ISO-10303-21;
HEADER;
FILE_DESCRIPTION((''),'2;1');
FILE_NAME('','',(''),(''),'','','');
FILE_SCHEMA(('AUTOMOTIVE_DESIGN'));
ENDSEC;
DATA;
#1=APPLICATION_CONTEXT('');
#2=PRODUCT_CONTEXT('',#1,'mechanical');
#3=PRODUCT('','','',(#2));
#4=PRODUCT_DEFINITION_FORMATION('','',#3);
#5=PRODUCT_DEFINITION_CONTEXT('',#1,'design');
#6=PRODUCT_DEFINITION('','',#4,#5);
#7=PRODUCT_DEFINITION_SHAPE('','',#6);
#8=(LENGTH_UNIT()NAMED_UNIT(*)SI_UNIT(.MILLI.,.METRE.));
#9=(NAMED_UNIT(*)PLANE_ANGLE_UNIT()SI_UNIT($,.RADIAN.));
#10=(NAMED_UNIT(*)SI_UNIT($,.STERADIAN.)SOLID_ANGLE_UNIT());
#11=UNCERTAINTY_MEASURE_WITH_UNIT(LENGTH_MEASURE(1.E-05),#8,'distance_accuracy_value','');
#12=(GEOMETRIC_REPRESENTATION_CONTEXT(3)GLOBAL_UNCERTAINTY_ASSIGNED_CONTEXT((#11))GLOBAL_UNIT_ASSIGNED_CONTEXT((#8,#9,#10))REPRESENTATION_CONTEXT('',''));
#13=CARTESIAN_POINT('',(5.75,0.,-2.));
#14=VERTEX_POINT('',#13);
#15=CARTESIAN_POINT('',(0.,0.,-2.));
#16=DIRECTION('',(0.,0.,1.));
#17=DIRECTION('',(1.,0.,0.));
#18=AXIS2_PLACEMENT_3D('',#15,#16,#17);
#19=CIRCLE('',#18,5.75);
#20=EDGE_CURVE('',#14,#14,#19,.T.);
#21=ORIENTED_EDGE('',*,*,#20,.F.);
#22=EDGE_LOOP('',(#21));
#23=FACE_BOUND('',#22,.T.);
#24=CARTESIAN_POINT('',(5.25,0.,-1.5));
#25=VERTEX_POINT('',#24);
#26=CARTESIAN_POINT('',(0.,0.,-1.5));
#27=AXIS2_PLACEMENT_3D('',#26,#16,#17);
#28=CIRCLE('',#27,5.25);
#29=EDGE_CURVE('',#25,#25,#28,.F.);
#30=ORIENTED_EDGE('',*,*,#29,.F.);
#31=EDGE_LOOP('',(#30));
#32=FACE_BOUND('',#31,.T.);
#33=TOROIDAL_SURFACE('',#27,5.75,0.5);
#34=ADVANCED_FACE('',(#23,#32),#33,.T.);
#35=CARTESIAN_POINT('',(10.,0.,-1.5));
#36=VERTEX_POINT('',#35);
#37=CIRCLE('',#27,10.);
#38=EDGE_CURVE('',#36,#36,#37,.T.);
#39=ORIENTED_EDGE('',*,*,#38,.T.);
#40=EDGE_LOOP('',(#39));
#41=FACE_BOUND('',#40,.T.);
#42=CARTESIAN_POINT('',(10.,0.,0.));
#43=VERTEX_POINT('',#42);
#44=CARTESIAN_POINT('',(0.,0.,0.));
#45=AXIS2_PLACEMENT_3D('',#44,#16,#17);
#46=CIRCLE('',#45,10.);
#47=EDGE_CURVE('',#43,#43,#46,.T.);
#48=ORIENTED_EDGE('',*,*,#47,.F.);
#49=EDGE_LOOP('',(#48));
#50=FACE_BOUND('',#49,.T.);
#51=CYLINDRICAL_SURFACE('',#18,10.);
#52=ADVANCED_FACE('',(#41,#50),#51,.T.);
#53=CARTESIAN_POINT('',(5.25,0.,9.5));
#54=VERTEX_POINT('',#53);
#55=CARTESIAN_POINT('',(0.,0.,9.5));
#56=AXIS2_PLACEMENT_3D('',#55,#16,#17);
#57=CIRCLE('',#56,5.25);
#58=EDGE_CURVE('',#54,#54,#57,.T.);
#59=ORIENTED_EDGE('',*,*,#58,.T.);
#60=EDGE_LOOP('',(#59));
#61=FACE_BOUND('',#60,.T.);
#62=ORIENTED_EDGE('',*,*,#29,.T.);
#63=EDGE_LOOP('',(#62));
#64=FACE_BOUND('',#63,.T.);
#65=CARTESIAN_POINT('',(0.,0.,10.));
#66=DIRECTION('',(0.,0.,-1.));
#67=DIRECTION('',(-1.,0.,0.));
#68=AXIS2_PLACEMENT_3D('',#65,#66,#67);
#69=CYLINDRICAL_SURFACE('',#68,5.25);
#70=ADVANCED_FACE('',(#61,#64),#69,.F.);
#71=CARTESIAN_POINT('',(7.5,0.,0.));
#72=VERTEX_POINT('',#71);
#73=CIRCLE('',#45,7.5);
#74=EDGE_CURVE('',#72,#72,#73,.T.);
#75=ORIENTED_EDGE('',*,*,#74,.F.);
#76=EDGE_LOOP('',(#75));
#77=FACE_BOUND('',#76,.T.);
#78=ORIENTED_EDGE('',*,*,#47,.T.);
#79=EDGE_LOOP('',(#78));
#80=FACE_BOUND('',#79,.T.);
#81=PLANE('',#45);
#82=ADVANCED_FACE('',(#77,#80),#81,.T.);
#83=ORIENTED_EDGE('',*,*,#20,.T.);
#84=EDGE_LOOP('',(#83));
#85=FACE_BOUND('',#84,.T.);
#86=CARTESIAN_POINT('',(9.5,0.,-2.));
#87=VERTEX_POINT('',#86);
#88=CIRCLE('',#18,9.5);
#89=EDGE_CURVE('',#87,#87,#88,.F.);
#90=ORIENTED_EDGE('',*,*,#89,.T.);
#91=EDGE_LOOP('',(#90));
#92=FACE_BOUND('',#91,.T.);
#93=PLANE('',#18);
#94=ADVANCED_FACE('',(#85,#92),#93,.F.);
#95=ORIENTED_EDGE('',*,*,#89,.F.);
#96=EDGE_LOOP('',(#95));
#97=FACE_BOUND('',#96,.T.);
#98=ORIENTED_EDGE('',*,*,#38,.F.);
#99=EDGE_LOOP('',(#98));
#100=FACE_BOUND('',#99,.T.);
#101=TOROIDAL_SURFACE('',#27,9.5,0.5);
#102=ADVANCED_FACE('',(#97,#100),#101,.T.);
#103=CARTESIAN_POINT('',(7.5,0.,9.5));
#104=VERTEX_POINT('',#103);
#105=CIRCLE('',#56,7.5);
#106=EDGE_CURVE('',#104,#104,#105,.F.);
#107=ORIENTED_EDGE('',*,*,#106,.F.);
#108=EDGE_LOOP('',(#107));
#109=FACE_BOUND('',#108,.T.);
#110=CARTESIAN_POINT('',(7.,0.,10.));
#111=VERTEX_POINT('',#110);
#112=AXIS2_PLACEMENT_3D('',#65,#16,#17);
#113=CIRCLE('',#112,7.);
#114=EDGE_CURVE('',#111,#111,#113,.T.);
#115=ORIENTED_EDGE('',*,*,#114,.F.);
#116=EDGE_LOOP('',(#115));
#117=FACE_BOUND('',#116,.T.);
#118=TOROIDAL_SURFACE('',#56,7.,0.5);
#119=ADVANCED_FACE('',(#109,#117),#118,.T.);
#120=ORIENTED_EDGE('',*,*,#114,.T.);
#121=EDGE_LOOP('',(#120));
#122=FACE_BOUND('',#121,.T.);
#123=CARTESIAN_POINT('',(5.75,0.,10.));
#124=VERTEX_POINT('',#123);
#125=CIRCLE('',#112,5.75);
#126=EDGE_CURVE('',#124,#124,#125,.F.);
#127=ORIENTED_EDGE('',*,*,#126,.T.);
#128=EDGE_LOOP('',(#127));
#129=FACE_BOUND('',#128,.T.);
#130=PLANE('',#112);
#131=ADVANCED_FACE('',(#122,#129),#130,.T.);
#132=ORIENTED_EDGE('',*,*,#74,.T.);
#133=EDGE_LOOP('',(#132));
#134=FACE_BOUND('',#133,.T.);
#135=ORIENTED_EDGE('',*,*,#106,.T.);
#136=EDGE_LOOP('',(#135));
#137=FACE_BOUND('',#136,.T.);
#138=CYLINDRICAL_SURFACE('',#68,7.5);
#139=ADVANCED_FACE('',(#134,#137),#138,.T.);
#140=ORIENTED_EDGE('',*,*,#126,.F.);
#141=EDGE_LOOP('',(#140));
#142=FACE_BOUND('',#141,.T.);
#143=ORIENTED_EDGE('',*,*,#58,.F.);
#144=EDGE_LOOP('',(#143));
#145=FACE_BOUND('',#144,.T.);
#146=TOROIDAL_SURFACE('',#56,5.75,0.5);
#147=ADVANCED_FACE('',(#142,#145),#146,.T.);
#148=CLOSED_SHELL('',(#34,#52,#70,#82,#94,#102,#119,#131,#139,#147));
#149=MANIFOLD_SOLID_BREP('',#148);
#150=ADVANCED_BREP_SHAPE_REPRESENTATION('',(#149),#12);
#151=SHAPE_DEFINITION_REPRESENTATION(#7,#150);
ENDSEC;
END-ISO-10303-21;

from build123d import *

# Parameters (mm, degrees)
SKICA1_R                = 7.5
SKICA1_R_2              = 5.25
P_IDAT_VYSUNUT_M1_DEPTH = 10
P_IDAT_START            = -2
SKICA1_3_R              = 10
SKICA1_3_R_2            = 5.25
P_IDAT_VYSUNUT_M2_DEPTH = 2
ZAOBLIT1_R              = 0.5


with BuildPart() as part:
    # Skica1 → Přidat vysunutím1 (new body)
    with BuildSketch(Plane.XY):
        Circle(SKICA1_R)
        Circle(SKICA1_R_2, mode=Mode.SUBTRACT)
    extrude(amount=P_IDAT_VYSUNUT_M1_DEPTH)

    # Skica1<3> → Přidat vysunutím2 (add)
    with BuildSketch(Plane.XY.offset(P_IDAT_START)):
        Circle(SKICA1_3_R)
        Circle(SKICA1_3_R_2, mode=Mode.SUBTRACT)
    extrude(amount=P_IDAT_VYSUNUT_M2_DEPTH)

    # Zaoblit1
    zaoblit1_edges = [part.edges().sort_by_distance(p)[0] for p in [
        (-7.5, 0, 10),
        (-5.25, 0, 10),
        (-5.25, 0, -2),
        (-10, 0, -2),
    ]]
    fillet(zaoblit1_edges, radius=ZAOBLIT1_R)


solid = part.part
